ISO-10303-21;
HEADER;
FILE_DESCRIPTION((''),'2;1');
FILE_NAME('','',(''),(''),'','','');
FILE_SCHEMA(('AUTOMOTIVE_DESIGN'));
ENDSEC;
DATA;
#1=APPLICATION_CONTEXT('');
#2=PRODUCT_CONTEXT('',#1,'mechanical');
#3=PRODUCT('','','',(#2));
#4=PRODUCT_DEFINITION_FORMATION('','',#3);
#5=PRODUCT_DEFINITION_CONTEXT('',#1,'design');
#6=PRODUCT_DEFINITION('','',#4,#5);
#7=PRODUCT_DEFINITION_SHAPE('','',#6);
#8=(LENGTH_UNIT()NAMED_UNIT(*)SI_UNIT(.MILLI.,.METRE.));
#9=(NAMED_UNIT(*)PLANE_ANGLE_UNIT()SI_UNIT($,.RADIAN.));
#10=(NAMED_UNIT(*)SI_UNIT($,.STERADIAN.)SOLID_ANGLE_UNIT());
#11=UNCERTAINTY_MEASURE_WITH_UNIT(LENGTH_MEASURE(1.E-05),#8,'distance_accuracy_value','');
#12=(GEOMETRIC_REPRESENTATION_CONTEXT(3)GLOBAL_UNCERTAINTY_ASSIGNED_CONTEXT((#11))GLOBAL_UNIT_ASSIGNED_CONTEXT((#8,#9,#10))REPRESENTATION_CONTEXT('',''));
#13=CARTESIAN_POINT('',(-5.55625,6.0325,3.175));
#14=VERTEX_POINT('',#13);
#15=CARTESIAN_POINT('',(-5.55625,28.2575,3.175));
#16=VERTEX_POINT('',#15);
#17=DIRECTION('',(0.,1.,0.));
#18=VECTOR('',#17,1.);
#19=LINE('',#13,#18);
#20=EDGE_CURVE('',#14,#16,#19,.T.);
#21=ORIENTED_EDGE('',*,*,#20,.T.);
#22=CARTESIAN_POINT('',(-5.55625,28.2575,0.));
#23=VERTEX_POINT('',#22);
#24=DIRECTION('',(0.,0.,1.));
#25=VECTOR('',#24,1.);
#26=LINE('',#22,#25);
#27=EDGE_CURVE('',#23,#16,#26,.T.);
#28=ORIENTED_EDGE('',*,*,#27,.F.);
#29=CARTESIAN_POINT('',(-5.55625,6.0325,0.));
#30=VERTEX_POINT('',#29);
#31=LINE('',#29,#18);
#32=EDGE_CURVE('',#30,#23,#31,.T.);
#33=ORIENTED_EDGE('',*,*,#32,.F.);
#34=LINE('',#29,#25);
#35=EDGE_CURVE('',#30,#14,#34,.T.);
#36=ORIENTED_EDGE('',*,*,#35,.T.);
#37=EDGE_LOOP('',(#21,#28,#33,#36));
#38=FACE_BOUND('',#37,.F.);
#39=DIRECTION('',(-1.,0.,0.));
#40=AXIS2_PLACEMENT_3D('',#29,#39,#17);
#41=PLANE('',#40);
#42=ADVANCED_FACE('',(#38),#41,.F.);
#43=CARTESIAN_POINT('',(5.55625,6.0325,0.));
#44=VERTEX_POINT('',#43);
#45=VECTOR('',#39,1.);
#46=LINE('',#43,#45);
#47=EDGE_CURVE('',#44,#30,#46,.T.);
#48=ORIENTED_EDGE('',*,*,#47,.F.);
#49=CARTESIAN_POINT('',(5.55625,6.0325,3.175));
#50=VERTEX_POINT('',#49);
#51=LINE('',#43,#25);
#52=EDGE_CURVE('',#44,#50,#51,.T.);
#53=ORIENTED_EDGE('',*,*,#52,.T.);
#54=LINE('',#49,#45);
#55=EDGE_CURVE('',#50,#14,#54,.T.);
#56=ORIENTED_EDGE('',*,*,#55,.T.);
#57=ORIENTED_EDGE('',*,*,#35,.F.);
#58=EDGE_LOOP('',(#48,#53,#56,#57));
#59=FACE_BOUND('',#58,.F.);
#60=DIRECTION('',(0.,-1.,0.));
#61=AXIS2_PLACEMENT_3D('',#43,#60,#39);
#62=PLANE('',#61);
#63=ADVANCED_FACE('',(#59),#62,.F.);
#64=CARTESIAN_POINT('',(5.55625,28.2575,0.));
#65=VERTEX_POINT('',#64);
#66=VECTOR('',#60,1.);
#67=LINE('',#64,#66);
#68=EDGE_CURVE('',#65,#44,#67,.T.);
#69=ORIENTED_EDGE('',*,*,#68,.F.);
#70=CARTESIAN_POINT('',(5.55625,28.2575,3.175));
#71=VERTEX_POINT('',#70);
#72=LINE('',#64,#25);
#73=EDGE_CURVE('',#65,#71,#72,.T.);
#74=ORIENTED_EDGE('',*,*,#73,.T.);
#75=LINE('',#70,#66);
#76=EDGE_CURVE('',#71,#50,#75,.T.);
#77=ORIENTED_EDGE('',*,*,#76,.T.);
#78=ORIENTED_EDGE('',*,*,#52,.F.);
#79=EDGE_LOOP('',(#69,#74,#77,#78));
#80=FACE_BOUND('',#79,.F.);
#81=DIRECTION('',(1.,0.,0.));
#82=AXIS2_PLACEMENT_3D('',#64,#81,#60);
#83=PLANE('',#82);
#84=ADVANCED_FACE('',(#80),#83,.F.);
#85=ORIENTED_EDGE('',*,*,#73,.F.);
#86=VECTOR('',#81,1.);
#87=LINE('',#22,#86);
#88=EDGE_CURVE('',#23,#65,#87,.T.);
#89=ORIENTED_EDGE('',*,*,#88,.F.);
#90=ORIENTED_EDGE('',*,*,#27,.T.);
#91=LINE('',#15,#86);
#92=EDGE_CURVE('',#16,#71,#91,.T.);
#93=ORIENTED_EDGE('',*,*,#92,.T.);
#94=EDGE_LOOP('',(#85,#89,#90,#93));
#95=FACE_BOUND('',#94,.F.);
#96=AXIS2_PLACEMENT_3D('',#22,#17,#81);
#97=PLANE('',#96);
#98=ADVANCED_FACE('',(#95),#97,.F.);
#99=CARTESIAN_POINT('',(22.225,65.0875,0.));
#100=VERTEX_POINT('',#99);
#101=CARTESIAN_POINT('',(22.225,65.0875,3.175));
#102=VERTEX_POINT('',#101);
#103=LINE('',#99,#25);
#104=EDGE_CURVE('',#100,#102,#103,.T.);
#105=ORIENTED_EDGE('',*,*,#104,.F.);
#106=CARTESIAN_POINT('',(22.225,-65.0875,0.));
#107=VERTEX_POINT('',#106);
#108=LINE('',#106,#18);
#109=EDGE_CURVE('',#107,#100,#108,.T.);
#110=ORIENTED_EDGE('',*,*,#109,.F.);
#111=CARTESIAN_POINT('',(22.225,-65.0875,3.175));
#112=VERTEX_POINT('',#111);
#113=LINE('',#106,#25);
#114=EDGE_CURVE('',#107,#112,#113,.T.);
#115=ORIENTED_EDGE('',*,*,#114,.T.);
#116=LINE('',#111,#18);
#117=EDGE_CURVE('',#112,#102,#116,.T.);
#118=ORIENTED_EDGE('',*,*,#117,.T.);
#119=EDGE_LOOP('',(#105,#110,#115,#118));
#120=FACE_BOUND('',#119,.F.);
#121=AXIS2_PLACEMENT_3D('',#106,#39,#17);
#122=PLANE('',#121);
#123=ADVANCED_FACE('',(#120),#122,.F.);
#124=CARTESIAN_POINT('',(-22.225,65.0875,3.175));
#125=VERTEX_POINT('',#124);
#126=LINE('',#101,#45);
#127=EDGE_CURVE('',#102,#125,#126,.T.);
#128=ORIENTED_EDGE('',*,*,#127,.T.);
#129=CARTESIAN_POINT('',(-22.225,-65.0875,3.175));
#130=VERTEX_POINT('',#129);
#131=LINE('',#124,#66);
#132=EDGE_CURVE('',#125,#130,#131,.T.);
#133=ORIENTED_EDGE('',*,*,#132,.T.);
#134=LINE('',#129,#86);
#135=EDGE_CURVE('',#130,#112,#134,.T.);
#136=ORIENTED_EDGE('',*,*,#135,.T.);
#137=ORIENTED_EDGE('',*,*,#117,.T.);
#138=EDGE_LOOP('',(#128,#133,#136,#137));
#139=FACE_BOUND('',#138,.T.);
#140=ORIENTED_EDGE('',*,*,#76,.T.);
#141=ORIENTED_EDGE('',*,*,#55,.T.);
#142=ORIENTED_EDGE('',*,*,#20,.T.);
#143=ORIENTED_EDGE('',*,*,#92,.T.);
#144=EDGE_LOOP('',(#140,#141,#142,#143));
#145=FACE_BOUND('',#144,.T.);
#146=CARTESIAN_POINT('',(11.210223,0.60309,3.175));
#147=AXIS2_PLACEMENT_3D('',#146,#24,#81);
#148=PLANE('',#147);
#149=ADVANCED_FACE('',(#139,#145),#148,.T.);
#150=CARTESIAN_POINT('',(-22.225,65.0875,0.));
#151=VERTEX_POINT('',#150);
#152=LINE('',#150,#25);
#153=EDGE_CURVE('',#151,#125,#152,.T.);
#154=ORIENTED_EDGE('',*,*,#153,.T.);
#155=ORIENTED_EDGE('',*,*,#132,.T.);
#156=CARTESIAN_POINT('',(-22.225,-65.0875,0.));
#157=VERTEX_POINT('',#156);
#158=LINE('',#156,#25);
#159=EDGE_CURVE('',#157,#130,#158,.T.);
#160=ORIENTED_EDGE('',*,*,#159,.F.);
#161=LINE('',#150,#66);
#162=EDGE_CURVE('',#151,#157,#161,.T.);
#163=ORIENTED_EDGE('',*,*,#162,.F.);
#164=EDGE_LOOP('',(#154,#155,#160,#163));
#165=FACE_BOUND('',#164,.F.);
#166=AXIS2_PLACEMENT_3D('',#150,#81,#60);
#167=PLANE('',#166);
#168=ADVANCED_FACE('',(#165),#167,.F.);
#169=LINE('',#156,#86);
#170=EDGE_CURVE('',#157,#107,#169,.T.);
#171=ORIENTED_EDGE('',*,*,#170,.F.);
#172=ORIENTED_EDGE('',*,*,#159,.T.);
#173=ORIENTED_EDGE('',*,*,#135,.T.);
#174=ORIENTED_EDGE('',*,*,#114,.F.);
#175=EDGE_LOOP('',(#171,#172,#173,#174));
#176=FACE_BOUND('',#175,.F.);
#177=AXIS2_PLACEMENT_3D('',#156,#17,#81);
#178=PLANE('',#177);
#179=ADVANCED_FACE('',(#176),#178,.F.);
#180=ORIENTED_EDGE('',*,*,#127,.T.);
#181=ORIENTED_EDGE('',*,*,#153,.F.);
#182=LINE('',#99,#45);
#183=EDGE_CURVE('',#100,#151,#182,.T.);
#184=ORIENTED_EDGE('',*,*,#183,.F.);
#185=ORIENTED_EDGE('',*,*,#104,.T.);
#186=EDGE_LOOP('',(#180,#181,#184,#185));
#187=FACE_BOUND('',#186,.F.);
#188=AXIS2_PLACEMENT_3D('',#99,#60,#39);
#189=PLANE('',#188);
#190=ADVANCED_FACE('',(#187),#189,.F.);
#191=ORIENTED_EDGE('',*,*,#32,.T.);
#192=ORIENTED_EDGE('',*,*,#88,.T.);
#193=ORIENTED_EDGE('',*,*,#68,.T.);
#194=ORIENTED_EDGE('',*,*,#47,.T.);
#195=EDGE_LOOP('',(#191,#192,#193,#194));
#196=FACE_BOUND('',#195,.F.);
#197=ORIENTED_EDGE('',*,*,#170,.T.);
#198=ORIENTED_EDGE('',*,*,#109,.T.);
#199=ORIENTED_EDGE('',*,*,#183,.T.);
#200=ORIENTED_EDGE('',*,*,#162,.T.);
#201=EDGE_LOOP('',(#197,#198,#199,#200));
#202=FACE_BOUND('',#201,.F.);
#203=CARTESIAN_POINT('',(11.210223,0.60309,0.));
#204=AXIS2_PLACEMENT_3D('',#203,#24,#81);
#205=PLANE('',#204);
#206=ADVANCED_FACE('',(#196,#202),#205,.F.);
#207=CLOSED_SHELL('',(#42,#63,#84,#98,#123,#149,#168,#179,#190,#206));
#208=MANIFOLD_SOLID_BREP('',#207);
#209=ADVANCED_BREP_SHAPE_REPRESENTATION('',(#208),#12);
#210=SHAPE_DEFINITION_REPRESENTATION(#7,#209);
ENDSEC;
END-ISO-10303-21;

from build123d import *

# Parameters (mm, degrees)
F1_DEPTH = 3.175


with BuildPart() as f1:
    # F0 (on Top) → F1 (new body)
    with BuildSketch(Plane.XY):
        Polygon((0, -65.0875), (22.225, -65.0875), (22.225, 65.0875), (0, 65.0875), (0, 28.2575), (5.55625, 28.2575), (5.55625, 6.0325), (0, 6.0325), align=None)
        Polygon((-22.225, -65.0875), (0, -65.0875), (0, 6.0325), (-5.55625, 6.0325), (-5.55625, 28.2575), (0, 28.2575), (0, 65.0875), (-22.225, 65.0875), align=None)
    extrude(amount=F1_DEPTH)


solid = f1.part
